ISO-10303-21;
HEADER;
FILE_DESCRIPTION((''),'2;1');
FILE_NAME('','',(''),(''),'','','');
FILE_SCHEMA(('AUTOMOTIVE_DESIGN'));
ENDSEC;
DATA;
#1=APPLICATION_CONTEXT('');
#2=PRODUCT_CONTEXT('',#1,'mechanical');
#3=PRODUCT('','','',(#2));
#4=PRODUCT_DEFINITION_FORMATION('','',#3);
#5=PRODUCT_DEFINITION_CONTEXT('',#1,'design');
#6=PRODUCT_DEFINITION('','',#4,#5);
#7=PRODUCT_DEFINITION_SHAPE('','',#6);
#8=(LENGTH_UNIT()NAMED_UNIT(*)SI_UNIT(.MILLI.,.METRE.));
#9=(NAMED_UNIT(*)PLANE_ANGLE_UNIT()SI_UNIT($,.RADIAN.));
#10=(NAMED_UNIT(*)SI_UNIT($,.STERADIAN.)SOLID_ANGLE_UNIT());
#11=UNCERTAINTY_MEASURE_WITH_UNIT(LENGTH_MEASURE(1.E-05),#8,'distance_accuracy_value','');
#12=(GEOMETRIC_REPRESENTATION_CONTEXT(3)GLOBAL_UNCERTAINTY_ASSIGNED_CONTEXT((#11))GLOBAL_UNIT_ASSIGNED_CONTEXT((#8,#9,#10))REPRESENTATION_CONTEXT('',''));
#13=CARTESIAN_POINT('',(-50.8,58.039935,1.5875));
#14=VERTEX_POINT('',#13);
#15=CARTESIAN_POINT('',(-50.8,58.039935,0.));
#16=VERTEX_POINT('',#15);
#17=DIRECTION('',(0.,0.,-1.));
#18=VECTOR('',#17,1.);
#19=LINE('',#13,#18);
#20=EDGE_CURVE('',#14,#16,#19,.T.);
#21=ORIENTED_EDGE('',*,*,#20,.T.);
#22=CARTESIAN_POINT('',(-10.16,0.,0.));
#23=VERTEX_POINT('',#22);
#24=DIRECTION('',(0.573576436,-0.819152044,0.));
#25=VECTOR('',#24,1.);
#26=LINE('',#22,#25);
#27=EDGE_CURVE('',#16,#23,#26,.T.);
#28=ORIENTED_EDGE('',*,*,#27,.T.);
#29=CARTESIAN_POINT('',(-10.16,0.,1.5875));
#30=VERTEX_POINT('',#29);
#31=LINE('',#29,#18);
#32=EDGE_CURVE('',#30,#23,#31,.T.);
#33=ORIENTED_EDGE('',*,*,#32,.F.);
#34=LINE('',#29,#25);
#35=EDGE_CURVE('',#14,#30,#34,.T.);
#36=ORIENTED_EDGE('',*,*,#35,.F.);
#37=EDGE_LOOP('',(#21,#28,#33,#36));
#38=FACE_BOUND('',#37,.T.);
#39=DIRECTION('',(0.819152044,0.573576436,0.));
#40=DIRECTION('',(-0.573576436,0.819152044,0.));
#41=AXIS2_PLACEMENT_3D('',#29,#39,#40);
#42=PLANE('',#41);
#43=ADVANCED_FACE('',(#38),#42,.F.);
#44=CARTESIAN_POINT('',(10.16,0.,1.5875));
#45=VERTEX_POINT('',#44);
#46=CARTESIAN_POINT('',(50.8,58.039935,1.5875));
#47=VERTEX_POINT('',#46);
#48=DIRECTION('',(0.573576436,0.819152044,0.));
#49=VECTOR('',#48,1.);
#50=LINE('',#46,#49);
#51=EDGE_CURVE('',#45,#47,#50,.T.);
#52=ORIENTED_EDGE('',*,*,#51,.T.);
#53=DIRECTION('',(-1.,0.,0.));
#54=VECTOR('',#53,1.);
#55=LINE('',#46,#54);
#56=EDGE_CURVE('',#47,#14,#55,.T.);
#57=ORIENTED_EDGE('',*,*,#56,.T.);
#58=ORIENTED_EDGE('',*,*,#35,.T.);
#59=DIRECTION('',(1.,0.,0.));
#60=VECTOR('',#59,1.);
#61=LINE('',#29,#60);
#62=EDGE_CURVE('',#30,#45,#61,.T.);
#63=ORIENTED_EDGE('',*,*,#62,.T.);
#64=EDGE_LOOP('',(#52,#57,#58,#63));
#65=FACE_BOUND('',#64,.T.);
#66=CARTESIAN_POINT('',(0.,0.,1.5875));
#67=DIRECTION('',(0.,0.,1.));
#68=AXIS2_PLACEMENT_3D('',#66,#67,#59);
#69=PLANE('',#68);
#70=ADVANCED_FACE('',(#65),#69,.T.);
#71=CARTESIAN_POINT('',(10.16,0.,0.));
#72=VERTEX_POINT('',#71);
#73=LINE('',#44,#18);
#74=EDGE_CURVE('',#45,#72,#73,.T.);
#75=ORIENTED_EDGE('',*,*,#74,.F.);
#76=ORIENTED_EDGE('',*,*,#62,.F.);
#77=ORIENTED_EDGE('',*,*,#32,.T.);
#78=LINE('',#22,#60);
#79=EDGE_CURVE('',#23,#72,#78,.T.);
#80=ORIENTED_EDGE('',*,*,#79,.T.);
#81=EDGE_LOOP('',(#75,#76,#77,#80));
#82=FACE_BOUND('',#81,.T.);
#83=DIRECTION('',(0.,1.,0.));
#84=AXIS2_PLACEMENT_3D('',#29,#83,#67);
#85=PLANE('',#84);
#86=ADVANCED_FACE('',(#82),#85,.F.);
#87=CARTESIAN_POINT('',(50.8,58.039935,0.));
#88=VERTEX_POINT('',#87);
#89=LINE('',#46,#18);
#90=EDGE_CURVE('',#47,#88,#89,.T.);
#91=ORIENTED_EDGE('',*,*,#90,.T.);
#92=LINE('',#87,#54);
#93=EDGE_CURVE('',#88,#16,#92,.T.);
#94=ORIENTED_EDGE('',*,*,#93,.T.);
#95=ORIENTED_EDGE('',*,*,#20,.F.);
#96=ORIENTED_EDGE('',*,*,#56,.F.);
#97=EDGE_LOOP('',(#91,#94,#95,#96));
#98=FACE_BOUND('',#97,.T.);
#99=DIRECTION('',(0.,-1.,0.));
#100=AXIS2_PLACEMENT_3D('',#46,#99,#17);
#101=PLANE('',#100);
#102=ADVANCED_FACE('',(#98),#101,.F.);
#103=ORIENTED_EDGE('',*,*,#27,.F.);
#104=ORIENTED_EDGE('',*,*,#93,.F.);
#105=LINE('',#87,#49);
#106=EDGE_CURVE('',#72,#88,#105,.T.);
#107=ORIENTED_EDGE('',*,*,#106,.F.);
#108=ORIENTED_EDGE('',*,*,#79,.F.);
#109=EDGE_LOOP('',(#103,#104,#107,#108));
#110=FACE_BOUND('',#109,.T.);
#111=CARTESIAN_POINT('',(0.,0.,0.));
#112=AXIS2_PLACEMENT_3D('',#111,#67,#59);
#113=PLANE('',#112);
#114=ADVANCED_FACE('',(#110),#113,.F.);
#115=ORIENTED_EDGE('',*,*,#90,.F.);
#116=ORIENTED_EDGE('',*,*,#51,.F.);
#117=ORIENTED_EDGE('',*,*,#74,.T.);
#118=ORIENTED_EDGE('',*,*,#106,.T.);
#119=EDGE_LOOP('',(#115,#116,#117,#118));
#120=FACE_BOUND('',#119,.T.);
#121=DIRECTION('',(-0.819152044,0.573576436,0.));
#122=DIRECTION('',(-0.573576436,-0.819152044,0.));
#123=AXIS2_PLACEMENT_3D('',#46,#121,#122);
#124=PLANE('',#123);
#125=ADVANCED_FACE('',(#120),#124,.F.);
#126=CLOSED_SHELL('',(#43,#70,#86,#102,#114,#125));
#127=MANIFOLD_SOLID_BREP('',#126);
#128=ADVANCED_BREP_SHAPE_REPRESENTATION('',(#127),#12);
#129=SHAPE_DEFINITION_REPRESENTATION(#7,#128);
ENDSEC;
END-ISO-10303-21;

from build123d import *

# Parameters (mm, degrees)
BOSS_EXTRUDE1_DEPTH = 1.5875


with BuildPart() as part:
    # Sketch1 → Boss-Extrude1 (new body)
    with BuildSketch(Plane.XY):
        Polygon((-10.16, 0), (10.16, 0), (50.8, 58.039934994), (-50.8, 58.039934994), align=None)
    extrude(amount=BOSS_EXTRUDE1_DEPTH)


solid = part.part
